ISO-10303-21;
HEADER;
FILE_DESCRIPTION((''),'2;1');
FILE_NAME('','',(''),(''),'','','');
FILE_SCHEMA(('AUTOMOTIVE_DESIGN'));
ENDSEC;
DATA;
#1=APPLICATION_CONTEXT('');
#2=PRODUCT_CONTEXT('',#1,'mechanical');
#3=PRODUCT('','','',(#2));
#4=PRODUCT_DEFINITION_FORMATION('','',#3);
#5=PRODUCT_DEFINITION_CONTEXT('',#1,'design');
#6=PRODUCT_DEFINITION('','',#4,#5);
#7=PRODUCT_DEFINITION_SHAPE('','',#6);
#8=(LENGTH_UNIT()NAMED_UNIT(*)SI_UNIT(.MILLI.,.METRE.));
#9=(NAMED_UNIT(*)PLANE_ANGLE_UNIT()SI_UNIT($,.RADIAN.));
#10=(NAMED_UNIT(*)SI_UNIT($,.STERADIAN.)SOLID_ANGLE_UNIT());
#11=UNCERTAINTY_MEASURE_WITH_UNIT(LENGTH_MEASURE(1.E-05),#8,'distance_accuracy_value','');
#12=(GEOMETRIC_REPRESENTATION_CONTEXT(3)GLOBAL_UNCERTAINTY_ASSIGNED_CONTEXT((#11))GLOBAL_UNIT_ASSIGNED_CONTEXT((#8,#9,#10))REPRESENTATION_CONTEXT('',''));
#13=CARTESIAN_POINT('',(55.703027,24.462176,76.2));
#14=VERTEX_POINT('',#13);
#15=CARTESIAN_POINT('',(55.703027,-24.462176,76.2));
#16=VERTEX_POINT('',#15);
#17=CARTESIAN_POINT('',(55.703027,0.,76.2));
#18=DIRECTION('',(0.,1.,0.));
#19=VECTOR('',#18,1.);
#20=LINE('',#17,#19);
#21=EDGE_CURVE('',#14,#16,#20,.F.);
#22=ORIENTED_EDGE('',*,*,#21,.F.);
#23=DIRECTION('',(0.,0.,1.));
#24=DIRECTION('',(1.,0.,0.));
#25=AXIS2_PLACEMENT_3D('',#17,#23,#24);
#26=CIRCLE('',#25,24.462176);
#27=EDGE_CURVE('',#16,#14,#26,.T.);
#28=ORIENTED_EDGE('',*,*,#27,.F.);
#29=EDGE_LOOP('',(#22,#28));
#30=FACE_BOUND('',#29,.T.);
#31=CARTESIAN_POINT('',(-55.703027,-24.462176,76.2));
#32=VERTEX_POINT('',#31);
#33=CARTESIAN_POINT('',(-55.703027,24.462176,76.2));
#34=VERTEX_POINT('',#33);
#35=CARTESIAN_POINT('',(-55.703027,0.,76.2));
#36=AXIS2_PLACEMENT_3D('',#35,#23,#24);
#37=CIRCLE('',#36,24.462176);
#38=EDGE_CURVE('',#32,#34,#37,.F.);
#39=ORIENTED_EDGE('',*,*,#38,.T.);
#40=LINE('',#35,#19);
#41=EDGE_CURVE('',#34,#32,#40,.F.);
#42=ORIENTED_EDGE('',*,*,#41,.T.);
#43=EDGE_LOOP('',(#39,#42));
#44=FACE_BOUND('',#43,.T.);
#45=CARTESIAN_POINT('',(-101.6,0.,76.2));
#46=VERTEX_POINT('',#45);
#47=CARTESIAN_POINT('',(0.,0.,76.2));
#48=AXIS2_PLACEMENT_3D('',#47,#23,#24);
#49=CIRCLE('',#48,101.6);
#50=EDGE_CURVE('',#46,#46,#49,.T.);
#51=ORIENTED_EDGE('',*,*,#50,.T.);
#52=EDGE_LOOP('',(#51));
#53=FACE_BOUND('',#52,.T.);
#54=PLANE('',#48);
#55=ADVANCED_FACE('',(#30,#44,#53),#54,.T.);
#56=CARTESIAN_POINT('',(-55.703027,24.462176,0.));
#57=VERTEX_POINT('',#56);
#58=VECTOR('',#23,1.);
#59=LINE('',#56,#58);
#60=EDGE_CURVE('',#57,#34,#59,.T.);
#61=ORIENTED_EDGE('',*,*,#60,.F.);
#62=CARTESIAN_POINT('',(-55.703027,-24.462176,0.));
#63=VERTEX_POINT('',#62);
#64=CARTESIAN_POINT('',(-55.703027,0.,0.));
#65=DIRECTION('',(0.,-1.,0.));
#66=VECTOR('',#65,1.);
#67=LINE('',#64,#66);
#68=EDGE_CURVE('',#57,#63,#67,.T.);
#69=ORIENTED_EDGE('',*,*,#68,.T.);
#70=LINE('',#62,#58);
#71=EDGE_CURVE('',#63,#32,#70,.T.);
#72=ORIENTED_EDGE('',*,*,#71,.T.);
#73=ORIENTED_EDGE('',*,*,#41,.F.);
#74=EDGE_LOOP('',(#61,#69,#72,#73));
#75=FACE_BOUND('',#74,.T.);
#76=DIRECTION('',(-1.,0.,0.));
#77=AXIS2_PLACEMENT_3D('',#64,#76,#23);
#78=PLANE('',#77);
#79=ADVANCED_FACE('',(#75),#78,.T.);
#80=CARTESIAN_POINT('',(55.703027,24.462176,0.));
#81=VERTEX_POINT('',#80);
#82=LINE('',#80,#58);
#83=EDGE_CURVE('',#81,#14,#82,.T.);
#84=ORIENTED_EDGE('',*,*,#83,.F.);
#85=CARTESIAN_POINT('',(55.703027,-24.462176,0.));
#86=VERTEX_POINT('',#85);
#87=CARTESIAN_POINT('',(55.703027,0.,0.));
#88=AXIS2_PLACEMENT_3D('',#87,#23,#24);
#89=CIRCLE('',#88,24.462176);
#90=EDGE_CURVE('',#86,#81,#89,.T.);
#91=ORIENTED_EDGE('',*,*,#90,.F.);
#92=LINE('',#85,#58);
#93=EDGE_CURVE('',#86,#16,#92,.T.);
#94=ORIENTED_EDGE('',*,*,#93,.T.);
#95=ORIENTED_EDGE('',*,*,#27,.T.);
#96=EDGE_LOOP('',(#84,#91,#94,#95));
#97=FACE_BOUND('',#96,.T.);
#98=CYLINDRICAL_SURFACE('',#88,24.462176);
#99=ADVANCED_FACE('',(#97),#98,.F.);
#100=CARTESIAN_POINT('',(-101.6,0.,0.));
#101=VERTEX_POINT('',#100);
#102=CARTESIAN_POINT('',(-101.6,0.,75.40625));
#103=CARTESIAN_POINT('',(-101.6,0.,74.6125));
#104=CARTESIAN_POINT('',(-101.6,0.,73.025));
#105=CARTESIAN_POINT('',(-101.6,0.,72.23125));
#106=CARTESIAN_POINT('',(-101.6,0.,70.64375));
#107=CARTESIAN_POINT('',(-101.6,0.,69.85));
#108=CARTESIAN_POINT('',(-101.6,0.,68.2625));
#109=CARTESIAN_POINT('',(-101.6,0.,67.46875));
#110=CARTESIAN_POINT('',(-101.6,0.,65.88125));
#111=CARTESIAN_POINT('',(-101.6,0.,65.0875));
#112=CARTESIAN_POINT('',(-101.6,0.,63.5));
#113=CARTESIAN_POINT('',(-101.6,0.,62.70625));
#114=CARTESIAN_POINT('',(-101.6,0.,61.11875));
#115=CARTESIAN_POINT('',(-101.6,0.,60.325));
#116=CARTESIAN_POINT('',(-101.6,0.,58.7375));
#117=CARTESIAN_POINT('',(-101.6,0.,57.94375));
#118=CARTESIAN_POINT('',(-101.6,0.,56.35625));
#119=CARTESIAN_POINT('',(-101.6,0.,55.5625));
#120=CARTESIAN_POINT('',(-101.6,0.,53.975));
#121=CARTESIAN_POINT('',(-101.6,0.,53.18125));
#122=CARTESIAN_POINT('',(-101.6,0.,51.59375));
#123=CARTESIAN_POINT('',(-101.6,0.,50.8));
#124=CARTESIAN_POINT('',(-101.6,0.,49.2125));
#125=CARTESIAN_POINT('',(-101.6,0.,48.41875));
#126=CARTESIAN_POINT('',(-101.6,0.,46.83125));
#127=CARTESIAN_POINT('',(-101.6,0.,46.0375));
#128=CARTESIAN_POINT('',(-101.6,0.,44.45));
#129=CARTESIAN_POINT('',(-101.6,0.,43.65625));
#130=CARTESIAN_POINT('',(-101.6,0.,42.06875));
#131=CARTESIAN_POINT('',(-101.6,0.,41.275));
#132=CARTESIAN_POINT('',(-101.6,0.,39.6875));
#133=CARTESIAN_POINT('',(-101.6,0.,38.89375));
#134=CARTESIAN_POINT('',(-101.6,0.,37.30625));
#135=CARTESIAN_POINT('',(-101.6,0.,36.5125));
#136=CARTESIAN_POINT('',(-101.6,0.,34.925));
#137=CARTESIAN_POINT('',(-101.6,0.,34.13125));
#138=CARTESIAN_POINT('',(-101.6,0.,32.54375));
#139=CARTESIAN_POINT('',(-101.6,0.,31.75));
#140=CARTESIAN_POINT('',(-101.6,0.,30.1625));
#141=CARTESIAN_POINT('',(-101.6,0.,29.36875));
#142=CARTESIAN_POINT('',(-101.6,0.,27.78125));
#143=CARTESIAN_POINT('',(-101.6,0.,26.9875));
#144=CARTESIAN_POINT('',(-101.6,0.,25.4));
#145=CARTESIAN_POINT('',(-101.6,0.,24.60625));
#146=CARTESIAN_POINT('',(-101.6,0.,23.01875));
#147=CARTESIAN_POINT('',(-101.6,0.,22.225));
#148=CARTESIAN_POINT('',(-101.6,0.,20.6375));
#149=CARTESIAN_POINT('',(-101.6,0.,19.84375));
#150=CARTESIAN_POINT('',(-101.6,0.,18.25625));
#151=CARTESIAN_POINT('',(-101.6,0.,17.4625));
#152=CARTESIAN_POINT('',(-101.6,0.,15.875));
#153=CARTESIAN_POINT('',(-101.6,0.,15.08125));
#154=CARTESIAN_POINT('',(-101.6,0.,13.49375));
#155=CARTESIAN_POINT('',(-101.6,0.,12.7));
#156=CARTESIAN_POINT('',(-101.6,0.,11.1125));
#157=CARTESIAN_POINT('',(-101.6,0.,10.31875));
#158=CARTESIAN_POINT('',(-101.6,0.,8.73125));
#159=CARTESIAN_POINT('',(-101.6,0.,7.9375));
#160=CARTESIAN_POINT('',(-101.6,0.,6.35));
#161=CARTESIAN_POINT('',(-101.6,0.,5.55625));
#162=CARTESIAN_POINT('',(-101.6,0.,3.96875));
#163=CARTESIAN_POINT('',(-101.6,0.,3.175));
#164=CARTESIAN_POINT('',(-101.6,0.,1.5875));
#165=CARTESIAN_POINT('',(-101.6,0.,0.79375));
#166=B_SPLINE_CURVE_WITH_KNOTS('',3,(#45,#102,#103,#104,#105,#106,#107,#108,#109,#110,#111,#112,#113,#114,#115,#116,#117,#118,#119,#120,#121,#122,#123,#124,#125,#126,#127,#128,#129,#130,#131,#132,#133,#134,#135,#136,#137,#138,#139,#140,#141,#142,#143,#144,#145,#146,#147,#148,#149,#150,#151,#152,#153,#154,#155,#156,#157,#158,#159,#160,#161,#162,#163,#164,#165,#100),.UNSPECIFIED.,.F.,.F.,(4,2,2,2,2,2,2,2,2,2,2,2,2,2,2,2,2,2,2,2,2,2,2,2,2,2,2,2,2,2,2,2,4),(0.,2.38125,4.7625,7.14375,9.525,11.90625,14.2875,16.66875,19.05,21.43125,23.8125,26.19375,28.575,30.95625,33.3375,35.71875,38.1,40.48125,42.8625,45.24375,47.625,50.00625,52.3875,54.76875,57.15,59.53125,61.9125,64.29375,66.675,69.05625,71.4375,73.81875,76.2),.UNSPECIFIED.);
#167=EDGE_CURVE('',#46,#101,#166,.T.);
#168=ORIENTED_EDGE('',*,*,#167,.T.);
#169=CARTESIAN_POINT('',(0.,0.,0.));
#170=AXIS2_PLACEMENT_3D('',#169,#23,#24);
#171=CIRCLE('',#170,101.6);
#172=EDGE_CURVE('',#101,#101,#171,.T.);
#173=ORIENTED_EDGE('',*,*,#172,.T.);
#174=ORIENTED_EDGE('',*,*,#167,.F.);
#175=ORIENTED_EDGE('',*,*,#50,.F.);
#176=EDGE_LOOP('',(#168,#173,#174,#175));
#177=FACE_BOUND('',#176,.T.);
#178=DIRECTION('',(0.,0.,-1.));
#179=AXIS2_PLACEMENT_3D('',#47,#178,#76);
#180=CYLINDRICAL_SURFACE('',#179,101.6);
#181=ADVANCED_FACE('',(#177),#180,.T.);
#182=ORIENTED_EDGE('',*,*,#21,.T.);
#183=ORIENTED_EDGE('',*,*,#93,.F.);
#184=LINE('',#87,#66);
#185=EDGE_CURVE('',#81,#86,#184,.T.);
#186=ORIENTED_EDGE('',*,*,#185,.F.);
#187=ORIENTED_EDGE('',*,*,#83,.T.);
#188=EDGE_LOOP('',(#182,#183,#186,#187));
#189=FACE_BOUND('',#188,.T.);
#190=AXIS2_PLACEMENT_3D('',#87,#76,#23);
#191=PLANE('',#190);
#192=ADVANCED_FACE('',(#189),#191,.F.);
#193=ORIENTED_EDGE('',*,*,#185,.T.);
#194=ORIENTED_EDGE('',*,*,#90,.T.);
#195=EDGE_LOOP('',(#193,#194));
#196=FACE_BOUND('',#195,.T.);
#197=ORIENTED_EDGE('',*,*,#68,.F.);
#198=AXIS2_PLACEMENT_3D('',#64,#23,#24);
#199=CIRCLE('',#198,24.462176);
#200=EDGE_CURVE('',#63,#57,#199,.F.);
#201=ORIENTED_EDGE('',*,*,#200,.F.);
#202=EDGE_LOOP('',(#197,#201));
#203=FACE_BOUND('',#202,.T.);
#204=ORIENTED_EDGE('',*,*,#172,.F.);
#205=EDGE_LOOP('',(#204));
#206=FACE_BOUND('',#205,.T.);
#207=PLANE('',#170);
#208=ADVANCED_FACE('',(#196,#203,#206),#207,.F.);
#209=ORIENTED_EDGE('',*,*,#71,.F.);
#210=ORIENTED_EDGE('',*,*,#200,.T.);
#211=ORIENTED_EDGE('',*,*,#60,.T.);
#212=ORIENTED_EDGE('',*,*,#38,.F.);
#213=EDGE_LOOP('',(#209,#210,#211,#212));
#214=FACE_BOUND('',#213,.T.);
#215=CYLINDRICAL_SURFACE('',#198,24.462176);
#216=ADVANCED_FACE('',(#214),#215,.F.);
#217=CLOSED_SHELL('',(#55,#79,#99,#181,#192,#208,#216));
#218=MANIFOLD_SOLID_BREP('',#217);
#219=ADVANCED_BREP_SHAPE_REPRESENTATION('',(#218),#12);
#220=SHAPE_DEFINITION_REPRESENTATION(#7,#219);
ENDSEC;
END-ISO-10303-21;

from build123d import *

# Parameters (mm, degrees)
SKETCH1_R               = 101.6
BOSS_EXTRUDE1_DEPTH     = 76.2
CUT_EXTRUDE7_DEPTH      = 163.639355631
CUT_EXTRUDE7_DEPTH_BACK = 163.639355631


with BuildPart() as part:
    # Sketch1 → Boss-Extrude1 (new body)
    with BuildSketch(Plane.XY):
        with Locations(Location((0, 0, 0), (0, 0, 180))):
            Circle(SKETCH1_R)
    extrude(amount=BOSS_EXTRUDE1_DEPTH)

    # Sketch2 → Cut-Extrude7 (cut, two sides: drawn at the far end of the back side and taken through both)
    with BuildSketch(Plane.XY.offset(76.2).offset(-CUT_EXTRUDE7_DEPTH_BACK)):
        with BuildLine():
            ThreePointArc((-55.703026842, -24.462175809), (-80.165202651, 0), (-55.703026842, 24.462175809))
            Line((-55.703026842, 24.462175809), (-55.703026842, -24.462175809))
        make_face()
        with BuildLine():
            Line((55.703026842, 24.462175809), (55.703026842, -24.462175809))
            ThreePointArc((55.703026842, -24.462175809), (80.165202651, 0), (55.703026842, 24.462175809))
        make_face()
    extrude(amount=CUT_EXTRUDE7_DEPTH + CUT_EXTRUDE7_DEPTH_BACK, mode=Mode.SUBTRACT)


solid = part.part
